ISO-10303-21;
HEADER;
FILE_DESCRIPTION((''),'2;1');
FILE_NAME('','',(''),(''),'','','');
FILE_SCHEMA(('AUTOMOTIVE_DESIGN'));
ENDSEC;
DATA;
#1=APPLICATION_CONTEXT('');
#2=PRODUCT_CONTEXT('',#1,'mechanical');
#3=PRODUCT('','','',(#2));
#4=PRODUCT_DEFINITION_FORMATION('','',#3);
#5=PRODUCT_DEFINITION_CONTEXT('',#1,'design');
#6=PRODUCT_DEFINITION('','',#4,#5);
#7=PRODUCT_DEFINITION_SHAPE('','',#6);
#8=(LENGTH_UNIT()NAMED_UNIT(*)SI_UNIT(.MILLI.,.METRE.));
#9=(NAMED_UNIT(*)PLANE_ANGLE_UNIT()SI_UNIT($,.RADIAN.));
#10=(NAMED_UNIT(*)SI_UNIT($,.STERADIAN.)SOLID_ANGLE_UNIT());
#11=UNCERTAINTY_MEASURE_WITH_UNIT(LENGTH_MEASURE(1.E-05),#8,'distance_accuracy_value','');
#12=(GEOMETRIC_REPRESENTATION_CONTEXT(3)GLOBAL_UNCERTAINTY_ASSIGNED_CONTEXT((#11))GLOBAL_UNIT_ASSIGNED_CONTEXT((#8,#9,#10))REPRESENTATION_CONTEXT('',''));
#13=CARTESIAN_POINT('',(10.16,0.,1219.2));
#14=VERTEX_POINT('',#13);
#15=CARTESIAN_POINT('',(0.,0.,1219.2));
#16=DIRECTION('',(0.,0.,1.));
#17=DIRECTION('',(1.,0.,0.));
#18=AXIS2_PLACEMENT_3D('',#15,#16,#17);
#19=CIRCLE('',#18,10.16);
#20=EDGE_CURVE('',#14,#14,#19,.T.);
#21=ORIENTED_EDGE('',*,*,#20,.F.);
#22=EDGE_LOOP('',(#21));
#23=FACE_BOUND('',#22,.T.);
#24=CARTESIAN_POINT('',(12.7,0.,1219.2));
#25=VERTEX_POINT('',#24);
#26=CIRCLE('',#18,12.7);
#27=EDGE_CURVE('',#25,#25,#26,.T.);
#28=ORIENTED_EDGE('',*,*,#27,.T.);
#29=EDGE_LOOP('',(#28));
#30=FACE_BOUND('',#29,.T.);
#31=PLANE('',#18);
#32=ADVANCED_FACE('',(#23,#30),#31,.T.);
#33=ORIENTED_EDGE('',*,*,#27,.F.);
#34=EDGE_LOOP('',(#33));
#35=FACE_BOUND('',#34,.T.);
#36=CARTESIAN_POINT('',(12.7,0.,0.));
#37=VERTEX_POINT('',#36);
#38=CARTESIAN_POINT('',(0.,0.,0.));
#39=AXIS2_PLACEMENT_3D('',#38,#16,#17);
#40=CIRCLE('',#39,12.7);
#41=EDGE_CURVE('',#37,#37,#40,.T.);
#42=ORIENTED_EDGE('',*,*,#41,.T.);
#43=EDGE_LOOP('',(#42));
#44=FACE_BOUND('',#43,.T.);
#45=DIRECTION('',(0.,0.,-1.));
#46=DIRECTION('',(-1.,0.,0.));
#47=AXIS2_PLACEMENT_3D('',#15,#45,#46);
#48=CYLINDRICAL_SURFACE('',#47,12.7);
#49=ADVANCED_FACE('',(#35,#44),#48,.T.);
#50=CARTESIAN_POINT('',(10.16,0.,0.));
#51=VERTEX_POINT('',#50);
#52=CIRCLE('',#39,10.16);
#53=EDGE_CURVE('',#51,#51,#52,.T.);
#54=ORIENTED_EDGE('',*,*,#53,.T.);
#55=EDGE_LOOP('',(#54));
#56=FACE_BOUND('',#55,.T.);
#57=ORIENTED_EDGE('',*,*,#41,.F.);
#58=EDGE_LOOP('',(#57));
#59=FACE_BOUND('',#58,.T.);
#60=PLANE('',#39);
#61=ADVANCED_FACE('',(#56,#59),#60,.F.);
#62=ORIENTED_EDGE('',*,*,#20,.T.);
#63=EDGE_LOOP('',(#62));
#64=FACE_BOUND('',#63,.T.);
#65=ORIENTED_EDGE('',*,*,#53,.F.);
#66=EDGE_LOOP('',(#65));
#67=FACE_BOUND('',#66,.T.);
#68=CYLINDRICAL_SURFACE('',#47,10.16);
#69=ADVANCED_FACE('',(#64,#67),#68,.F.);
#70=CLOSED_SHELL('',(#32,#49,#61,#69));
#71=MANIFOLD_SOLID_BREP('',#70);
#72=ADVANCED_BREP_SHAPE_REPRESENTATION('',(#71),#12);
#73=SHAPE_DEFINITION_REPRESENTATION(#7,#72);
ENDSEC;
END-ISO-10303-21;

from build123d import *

# Parameters (mm, degrees)
SKETCH1_R           = 12.7
SKETCH1_R_2         = 10.16
BOSS_EXTRUDE1_DEPTH = 1219.2


with BuildPart() as part:
    # Sketch1 → Boss-Extrude1 (new body)
    with BuildSketch(Plane.XY):
        Circle(SKETCH1_R)
        Circle(SKETCH1_R_2, mode=Mode.SUBTRACT)
    extrude(amount=BOSS_EXTRUDE1_DEPTH)


solid = part.part
